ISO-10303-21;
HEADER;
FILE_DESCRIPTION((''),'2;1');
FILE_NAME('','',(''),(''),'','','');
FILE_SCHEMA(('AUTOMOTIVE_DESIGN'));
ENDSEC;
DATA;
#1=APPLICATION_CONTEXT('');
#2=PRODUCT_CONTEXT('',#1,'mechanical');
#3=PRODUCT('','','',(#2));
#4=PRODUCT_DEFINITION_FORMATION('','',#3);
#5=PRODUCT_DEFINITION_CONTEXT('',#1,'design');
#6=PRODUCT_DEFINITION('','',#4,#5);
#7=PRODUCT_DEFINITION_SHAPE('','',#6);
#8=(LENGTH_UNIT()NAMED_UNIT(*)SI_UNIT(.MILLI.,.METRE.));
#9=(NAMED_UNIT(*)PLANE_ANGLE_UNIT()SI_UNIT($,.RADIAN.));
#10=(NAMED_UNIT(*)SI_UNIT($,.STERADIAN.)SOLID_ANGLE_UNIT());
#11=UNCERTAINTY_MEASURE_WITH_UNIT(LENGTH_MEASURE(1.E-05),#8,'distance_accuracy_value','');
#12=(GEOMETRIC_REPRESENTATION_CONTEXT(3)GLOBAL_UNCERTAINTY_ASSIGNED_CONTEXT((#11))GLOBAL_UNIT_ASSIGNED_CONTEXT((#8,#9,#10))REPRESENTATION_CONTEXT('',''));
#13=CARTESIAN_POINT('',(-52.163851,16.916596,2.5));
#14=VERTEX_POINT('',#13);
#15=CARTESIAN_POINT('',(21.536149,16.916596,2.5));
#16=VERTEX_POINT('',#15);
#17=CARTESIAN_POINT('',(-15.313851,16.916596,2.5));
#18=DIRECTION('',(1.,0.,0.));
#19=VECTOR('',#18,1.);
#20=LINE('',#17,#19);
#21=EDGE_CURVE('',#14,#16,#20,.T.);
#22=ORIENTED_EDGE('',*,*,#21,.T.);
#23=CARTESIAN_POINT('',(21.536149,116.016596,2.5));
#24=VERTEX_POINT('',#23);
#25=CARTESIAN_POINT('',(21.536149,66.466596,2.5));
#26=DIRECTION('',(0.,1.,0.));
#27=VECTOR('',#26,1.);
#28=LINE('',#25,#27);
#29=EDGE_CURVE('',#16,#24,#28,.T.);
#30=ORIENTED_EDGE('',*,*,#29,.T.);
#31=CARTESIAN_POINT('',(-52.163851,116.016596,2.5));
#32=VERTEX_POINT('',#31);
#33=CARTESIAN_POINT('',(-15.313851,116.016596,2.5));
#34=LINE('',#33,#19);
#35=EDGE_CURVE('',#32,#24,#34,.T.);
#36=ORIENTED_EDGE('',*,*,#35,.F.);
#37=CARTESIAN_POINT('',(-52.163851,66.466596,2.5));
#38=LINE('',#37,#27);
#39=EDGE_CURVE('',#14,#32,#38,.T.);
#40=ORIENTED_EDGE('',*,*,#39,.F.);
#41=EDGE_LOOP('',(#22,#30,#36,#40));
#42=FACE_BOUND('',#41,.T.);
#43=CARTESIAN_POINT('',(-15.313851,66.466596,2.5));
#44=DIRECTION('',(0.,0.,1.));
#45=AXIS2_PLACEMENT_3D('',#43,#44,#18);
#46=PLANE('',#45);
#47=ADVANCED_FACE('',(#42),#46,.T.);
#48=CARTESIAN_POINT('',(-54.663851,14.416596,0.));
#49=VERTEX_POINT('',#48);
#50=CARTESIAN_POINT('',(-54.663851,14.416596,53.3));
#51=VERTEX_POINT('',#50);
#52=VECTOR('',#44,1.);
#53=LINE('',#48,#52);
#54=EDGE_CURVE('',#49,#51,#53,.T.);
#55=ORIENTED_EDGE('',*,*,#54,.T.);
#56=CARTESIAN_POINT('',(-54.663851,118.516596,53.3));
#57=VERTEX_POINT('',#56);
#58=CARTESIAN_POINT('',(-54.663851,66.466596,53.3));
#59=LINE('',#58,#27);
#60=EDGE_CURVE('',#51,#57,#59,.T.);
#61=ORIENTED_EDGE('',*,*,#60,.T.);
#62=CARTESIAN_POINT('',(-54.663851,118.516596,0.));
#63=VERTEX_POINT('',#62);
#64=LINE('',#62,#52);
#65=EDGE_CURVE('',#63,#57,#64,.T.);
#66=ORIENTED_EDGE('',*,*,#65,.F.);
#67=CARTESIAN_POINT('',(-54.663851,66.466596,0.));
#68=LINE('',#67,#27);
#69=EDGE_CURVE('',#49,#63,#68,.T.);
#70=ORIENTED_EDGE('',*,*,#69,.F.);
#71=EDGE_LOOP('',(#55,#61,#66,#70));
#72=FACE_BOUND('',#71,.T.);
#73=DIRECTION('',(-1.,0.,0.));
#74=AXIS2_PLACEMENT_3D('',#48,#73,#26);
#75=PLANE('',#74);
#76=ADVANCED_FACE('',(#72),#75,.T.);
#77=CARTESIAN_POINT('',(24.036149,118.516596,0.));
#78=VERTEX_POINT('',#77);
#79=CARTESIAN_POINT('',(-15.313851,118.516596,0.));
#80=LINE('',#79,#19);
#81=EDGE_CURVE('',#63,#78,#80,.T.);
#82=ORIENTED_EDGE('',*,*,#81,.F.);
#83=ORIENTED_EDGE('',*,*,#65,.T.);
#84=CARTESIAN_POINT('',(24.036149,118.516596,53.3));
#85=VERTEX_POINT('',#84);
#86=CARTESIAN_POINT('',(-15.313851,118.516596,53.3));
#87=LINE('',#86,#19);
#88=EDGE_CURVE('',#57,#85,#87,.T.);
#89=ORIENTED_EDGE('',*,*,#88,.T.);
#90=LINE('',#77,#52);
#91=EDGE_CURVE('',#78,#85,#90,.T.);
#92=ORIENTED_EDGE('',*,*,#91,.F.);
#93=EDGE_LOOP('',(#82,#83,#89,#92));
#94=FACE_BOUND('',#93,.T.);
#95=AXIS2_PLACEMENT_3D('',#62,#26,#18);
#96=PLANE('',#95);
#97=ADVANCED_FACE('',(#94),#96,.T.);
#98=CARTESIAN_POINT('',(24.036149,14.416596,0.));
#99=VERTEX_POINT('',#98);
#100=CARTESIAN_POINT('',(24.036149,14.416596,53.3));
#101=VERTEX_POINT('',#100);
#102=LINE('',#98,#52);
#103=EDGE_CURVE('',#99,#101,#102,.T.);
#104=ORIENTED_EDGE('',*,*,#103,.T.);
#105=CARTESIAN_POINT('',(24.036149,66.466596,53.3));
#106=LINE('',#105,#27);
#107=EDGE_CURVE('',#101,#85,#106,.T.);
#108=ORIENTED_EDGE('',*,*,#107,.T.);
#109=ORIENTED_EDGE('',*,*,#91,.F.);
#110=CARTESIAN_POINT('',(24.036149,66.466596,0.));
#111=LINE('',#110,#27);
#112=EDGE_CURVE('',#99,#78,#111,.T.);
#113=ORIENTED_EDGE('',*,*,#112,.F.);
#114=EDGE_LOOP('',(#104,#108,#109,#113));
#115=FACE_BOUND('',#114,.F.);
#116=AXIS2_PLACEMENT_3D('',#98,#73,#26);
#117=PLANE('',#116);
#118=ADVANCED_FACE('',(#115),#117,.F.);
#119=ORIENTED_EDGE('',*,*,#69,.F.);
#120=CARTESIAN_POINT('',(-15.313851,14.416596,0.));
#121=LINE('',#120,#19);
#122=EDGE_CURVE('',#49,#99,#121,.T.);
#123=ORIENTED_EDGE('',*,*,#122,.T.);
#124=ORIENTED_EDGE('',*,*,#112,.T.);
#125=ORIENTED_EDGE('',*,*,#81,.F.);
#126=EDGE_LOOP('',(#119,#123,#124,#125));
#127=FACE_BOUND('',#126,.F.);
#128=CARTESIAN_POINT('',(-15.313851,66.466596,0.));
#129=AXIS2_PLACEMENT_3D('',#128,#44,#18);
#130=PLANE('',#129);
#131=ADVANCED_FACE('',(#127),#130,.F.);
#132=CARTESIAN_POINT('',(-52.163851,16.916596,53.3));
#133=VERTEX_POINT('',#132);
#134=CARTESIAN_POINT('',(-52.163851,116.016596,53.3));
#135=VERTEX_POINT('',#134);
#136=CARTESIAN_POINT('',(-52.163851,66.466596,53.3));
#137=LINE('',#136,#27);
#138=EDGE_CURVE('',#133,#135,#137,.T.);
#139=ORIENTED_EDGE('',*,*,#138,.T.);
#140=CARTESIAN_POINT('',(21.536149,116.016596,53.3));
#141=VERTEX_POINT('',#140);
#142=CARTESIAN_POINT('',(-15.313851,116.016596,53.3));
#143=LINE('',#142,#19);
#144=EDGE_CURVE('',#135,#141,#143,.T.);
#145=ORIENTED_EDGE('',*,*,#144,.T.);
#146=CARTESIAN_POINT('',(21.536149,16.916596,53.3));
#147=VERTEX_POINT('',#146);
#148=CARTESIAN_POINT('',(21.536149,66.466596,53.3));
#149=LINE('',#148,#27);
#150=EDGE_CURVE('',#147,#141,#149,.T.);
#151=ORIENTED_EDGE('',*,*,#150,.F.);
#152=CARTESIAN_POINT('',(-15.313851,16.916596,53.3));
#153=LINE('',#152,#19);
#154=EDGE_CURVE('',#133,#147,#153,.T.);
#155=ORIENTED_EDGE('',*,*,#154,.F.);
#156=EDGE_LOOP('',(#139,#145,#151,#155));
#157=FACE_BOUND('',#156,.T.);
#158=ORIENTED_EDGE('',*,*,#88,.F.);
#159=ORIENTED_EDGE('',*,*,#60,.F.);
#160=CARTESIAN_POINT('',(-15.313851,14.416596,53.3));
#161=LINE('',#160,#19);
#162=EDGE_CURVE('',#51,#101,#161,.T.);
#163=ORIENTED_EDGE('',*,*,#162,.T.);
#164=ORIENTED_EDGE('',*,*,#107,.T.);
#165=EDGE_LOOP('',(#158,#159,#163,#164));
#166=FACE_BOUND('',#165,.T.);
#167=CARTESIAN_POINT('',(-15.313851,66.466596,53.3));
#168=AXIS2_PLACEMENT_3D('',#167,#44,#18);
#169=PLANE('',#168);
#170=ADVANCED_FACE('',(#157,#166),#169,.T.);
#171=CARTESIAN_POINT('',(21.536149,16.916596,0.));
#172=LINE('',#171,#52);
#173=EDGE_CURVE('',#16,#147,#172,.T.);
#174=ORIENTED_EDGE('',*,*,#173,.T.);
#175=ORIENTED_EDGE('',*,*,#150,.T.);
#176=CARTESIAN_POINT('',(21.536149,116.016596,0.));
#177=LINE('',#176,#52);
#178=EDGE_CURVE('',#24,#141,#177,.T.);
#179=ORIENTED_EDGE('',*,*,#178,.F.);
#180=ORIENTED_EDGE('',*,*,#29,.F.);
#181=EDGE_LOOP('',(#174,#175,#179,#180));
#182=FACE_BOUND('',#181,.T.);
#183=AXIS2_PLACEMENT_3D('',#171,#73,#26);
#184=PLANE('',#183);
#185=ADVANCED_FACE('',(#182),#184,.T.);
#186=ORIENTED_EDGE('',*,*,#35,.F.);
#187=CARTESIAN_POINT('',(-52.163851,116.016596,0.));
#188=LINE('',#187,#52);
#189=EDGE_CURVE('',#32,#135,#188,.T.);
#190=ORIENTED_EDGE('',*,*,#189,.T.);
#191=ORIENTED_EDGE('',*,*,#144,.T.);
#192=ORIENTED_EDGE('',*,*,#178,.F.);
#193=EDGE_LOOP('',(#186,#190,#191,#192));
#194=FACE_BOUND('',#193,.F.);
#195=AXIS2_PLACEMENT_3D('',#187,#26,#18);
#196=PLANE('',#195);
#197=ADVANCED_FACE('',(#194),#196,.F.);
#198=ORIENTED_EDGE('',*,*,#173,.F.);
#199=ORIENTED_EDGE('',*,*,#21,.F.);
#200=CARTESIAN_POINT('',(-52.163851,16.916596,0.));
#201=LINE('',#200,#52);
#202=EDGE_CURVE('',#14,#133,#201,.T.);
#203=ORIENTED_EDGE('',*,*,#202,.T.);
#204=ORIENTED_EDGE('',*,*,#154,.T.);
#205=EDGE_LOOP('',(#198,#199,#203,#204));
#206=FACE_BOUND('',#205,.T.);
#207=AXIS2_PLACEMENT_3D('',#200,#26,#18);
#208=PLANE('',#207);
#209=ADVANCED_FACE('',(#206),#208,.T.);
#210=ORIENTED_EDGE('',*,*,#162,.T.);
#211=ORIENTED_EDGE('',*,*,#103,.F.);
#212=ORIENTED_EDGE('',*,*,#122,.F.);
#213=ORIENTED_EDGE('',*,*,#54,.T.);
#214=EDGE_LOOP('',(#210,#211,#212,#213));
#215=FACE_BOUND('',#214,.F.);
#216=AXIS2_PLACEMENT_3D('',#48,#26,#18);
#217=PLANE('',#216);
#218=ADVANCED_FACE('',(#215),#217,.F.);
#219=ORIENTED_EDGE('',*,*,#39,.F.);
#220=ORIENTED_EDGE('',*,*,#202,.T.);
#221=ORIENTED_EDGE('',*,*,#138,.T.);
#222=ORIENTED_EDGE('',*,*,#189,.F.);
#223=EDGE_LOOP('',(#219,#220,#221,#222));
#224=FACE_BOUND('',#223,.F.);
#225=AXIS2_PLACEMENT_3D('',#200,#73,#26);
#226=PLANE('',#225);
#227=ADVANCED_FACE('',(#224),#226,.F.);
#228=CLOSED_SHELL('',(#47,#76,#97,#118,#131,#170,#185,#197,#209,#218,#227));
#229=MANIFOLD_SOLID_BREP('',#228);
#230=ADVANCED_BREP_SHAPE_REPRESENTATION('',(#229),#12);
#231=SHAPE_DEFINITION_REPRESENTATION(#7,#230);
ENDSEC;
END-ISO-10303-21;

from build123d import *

# Parameters (mm, degrees)
F0_W     = 73.7
F0_H     = 99.1
F1_DEPTH = 2.5
F0_W_2   = 78.7
F0_H_2   = 104.1
F2_DEPTH = 53.3


with BuildPart() as f1:
    # F0 (on Top) → F1 (new body)
    with BuildSketch(Plane.XY):
        with Locations((-15.313851, 66.466596)):
            Rectangle(F0_W, F0_H)
    extrude(amount=F1_DEPTH)

    # F0 (on Top) → F2 (join)
    with BuildSketch(Plane.XY):
        with Locations((-15.313851, 66.466596)):
            Rectangle(F0_W_2, F0_H_2)
        with Locations((-15.313851, 66.466596)):
            Rectangle(F0_W, F0_H, mode=Mode.SUBTRACT)
    extrude(amount=F2_DEPTH)


solid = f1.part
